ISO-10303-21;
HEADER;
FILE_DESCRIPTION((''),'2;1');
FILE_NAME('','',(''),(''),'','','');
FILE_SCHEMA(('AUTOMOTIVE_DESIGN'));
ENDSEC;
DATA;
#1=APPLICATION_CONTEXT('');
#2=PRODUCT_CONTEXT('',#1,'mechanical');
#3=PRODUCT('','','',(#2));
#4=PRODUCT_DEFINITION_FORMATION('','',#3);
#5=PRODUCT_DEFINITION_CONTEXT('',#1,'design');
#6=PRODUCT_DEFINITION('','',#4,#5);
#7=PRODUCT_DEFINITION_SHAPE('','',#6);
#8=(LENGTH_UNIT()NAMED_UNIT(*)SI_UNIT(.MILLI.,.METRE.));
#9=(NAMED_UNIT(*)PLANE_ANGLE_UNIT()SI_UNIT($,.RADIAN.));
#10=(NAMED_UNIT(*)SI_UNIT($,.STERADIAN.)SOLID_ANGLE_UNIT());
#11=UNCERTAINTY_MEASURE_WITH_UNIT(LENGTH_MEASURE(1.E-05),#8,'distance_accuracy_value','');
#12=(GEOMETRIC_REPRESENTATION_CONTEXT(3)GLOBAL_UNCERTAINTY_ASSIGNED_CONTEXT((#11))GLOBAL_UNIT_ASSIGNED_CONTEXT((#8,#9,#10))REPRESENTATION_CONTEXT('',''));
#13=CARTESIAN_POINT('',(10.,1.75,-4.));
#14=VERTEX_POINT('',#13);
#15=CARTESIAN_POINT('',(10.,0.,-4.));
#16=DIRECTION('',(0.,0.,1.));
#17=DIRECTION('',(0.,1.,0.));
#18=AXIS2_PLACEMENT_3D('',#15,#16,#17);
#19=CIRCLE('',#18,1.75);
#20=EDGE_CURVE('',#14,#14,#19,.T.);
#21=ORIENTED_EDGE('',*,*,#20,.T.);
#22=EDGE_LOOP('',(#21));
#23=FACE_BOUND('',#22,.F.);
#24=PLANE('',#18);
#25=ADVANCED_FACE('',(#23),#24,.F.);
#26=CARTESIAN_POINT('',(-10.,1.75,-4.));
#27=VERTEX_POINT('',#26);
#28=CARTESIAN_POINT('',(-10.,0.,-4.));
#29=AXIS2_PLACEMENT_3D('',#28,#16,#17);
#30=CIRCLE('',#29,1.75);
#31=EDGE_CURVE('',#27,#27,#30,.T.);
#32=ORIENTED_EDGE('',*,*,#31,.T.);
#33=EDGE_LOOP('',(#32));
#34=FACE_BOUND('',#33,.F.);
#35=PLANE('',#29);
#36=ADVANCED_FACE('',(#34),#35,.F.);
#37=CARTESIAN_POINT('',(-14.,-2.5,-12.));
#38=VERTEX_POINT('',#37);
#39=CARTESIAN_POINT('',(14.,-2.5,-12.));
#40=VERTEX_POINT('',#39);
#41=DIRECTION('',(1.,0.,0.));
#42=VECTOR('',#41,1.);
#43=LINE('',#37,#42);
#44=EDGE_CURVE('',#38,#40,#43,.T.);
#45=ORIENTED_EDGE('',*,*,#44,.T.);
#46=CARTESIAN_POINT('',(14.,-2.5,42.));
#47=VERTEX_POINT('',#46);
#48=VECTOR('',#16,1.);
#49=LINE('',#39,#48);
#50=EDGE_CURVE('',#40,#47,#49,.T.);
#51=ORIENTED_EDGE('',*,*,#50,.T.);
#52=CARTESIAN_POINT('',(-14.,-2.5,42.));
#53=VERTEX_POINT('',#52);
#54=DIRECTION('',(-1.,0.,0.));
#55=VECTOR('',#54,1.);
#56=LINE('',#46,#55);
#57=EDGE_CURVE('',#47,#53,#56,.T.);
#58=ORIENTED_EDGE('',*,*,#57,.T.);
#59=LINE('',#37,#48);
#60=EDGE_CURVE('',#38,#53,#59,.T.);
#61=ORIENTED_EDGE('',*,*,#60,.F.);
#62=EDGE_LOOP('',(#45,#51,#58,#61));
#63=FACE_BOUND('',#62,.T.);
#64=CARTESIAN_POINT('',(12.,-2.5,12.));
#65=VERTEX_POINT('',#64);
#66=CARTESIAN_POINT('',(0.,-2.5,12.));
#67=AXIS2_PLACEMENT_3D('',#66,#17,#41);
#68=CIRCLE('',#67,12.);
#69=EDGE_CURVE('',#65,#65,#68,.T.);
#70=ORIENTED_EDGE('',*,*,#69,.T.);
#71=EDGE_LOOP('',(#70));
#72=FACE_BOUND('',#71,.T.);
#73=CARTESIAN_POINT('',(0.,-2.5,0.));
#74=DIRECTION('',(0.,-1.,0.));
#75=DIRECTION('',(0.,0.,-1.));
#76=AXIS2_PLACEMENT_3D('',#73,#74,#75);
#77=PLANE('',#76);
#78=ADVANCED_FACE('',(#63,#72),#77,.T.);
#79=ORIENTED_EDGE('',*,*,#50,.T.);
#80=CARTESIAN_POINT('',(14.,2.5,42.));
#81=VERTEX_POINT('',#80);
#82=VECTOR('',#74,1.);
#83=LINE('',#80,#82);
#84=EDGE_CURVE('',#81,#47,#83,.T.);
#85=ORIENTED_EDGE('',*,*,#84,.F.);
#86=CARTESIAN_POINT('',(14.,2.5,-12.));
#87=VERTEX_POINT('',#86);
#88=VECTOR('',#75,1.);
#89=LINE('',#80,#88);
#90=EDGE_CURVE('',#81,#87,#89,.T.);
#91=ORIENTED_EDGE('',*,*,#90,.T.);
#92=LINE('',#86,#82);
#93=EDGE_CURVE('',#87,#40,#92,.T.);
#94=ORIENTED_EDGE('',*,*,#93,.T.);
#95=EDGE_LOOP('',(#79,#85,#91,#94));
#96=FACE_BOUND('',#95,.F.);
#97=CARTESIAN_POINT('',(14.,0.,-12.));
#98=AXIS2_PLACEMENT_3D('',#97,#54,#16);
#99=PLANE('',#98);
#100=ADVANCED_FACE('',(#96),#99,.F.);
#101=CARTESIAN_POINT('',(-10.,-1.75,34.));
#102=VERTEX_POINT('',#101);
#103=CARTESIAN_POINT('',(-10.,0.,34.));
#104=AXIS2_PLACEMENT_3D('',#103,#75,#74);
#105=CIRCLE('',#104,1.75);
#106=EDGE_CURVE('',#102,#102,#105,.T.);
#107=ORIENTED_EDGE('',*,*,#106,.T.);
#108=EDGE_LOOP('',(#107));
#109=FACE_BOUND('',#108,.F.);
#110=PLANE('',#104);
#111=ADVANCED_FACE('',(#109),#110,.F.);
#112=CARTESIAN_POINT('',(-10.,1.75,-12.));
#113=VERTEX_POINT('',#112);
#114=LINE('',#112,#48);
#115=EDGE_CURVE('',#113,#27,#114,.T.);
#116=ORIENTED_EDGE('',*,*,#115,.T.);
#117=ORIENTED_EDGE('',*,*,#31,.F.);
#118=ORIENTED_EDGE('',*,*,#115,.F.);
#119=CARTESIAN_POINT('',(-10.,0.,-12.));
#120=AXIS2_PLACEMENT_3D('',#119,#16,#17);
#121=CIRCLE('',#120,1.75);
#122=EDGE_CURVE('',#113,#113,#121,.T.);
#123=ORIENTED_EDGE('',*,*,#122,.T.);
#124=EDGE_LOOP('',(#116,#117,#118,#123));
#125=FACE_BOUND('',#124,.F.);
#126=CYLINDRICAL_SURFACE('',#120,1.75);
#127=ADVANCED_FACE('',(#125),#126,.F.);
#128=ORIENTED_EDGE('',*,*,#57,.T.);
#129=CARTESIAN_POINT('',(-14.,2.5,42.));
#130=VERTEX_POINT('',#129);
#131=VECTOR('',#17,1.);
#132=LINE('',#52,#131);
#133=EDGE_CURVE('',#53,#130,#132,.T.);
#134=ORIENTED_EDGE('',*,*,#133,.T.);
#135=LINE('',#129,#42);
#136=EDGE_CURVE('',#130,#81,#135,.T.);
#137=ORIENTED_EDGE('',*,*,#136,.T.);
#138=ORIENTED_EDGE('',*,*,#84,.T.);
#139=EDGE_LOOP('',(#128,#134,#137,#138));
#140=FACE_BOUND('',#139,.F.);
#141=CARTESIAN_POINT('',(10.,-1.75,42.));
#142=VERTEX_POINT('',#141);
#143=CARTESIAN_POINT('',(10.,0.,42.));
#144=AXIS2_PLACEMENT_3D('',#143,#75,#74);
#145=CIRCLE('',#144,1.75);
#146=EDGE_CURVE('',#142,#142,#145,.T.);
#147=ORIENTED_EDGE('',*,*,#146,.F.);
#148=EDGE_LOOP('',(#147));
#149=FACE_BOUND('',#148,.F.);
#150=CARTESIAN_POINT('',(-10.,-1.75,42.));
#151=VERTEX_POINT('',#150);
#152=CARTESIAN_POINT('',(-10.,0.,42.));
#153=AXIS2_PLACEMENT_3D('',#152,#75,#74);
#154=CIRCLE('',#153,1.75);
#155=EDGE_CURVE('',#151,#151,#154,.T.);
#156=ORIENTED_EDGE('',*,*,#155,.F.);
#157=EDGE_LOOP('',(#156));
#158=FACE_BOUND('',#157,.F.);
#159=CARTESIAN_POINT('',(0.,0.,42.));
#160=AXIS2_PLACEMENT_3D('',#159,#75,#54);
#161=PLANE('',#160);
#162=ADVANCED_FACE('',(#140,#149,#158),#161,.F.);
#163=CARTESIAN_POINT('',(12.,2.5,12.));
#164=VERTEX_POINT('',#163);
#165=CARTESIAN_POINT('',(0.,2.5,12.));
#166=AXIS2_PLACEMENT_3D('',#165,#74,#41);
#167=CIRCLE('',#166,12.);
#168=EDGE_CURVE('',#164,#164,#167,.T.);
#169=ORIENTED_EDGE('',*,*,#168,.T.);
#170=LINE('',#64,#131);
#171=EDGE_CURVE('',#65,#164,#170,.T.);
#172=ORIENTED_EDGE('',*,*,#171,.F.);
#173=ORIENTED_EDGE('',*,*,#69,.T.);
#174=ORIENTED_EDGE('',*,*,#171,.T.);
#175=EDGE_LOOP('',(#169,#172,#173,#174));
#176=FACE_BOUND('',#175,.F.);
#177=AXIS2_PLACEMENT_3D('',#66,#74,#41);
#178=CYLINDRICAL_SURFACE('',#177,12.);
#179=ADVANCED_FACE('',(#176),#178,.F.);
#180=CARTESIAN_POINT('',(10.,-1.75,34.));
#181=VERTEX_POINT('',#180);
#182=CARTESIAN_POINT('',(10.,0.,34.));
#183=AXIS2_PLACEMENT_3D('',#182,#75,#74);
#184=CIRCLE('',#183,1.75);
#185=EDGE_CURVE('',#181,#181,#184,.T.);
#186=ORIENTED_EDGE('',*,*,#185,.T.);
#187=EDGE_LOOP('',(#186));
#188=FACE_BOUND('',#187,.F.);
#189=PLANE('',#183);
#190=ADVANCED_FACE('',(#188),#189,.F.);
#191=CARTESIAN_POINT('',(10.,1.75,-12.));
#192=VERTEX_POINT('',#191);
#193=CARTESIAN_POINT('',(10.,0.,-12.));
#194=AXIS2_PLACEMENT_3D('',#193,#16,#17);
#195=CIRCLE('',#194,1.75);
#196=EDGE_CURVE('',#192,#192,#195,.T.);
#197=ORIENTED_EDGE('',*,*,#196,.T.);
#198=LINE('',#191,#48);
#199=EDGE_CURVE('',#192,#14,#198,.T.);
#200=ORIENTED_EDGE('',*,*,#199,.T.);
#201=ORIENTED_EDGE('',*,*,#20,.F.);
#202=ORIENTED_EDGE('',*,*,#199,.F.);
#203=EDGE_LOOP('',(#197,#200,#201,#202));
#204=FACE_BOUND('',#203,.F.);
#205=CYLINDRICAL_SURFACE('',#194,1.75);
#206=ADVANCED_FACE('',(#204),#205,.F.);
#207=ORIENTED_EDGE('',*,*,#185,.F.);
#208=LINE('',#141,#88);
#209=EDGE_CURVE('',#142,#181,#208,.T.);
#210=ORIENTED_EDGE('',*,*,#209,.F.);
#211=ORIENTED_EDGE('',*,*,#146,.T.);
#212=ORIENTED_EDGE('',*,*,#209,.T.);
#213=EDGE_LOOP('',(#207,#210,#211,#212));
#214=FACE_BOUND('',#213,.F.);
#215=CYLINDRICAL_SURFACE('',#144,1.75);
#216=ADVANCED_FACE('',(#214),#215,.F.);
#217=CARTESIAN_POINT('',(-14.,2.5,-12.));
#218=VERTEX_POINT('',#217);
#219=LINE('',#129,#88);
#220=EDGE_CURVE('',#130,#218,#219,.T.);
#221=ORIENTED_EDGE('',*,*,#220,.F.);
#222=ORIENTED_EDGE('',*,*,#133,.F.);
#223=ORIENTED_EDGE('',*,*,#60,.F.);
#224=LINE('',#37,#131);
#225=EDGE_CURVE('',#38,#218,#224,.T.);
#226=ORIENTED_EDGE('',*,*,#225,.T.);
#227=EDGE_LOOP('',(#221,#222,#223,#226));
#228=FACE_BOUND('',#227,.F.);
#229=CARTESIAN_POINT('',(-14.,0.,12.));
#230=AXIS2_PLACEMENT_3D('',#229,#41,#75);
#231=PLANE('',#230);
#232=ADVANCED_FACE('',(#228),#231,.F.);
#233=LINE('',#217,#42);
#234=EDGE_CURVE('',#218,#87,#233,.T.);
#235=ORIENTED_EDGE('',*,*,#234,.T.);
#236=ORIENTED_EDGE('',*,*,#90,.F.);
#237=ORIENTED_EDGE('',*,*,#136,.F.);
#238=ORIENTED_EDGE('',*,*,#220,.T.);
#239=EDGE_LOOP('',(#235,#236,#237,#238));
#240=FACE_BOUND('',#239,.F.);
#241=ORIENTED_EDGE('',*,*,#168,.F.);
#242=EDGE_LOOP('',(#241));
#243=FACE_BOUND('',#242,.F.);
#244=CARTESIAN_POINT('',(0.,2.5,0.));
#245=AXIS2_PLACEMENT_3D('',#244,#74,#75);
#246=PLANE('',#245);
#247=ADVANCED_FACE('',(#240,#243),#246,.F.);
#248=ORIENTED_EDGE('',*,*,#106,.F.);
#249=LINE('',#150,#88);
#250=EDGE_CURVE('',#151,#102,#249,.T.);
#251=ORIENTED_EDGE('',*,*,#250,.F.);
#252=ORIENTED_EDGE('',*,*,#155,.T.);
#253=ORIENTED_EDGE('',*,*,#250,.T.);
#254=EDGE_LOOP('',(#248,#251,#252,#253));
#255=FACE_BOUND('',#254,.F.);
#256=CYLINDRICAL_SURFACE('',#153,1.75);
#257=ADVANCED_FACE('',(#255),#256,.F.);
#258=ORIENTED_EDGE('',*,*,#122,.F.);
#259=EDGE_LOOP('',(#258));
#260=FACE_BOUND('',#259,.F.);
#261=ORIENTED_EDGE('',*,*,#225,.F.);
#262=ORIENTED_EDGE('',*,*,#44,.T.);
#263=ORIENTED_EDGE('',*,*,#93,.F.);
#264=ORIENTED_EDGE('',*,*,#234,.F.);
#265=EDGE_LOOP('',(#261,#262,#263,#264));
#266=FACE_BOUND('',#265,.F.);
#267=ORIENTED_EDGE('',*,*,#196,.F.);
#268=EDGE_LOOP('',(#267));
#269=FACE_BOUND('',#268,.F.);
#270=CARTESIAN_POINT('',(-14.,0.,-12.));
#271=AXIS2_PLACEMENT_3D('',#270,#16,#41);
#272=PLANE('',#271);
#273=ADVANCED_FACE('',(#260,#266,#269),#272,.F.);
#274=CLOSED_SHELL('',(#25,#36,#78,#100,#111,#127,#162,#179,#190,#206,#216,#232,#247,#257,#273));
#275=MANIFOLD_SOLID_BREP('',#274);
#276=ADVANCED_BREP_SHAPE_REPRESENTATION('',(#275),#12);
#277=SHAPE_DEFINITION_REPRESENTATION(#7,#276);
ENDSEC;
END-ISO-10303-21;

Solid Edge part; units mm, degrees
sketch "Sketch1" plane through (0, 0, 0) normal (0, -1, 0) x (1, 0, 0)
  line L0 (-14, -12) -> (14, -12)
  line L1 (14, -12) -> (14, 12)
  line L2 (14, 12) -> (-14, 12)
  line L3 (-14, 12) -> (-14, -12)
  dimension "D1" = 24
  dimension "D2" = 28
extrude "Protrusion1" add sketch "Sketch1" along normal mid plane 5
sketch "Sketch2" plane through (0, -2.5, 0) normal (0, -1, 0) x (1, 0, 0)
  circle A0 centre (0, 12) radius 12
  dimension "D1" = 24
extrude "Extrusionsausschnitt_1" cut sketch "Sketch2" against normal blind 221
hole "Bohrung_1" at (-10, 0, -12) direction (0, 0, 1) diameter 3.5 depth 8
hole "Hole1" at (10, 0, -12) direction (0, 0, 1) diameter 3.5 depth 8
mirror "Mirror1" about plane through (-13.5, 0, 12) normal (0, 0, 1) of "Protrusion1", "Extrusionsausschnitt_1"
sketch "Sketch3" plane through (0, 0, 36) normal (0, 0, 1) x (1, 0, 0)
  line L0 (-14, 2.5) -> (14, 2.5)
  line L1 (14, 2.5) -> (14, -2.5)
  line L2 (14, -2.5) -> (-14, -2.5)
  line L3 (-14, -2.5) -> (-14, 2.5)
extrude "Extrusionsausprägung_3" add sketch "Sketch3" along normal blind 6
hole "Bohrung_5" at (-10, 0, 42) direction (0, 0, -1) diameter 3.5 depth 8
hole "Hole2" at (10, 0, 42) direction (0, 0, -1) diameter 3.5 depth 8
properties material "Aluminiumlegierung:3.0205, Al 99.0, EN-AW 1200"
